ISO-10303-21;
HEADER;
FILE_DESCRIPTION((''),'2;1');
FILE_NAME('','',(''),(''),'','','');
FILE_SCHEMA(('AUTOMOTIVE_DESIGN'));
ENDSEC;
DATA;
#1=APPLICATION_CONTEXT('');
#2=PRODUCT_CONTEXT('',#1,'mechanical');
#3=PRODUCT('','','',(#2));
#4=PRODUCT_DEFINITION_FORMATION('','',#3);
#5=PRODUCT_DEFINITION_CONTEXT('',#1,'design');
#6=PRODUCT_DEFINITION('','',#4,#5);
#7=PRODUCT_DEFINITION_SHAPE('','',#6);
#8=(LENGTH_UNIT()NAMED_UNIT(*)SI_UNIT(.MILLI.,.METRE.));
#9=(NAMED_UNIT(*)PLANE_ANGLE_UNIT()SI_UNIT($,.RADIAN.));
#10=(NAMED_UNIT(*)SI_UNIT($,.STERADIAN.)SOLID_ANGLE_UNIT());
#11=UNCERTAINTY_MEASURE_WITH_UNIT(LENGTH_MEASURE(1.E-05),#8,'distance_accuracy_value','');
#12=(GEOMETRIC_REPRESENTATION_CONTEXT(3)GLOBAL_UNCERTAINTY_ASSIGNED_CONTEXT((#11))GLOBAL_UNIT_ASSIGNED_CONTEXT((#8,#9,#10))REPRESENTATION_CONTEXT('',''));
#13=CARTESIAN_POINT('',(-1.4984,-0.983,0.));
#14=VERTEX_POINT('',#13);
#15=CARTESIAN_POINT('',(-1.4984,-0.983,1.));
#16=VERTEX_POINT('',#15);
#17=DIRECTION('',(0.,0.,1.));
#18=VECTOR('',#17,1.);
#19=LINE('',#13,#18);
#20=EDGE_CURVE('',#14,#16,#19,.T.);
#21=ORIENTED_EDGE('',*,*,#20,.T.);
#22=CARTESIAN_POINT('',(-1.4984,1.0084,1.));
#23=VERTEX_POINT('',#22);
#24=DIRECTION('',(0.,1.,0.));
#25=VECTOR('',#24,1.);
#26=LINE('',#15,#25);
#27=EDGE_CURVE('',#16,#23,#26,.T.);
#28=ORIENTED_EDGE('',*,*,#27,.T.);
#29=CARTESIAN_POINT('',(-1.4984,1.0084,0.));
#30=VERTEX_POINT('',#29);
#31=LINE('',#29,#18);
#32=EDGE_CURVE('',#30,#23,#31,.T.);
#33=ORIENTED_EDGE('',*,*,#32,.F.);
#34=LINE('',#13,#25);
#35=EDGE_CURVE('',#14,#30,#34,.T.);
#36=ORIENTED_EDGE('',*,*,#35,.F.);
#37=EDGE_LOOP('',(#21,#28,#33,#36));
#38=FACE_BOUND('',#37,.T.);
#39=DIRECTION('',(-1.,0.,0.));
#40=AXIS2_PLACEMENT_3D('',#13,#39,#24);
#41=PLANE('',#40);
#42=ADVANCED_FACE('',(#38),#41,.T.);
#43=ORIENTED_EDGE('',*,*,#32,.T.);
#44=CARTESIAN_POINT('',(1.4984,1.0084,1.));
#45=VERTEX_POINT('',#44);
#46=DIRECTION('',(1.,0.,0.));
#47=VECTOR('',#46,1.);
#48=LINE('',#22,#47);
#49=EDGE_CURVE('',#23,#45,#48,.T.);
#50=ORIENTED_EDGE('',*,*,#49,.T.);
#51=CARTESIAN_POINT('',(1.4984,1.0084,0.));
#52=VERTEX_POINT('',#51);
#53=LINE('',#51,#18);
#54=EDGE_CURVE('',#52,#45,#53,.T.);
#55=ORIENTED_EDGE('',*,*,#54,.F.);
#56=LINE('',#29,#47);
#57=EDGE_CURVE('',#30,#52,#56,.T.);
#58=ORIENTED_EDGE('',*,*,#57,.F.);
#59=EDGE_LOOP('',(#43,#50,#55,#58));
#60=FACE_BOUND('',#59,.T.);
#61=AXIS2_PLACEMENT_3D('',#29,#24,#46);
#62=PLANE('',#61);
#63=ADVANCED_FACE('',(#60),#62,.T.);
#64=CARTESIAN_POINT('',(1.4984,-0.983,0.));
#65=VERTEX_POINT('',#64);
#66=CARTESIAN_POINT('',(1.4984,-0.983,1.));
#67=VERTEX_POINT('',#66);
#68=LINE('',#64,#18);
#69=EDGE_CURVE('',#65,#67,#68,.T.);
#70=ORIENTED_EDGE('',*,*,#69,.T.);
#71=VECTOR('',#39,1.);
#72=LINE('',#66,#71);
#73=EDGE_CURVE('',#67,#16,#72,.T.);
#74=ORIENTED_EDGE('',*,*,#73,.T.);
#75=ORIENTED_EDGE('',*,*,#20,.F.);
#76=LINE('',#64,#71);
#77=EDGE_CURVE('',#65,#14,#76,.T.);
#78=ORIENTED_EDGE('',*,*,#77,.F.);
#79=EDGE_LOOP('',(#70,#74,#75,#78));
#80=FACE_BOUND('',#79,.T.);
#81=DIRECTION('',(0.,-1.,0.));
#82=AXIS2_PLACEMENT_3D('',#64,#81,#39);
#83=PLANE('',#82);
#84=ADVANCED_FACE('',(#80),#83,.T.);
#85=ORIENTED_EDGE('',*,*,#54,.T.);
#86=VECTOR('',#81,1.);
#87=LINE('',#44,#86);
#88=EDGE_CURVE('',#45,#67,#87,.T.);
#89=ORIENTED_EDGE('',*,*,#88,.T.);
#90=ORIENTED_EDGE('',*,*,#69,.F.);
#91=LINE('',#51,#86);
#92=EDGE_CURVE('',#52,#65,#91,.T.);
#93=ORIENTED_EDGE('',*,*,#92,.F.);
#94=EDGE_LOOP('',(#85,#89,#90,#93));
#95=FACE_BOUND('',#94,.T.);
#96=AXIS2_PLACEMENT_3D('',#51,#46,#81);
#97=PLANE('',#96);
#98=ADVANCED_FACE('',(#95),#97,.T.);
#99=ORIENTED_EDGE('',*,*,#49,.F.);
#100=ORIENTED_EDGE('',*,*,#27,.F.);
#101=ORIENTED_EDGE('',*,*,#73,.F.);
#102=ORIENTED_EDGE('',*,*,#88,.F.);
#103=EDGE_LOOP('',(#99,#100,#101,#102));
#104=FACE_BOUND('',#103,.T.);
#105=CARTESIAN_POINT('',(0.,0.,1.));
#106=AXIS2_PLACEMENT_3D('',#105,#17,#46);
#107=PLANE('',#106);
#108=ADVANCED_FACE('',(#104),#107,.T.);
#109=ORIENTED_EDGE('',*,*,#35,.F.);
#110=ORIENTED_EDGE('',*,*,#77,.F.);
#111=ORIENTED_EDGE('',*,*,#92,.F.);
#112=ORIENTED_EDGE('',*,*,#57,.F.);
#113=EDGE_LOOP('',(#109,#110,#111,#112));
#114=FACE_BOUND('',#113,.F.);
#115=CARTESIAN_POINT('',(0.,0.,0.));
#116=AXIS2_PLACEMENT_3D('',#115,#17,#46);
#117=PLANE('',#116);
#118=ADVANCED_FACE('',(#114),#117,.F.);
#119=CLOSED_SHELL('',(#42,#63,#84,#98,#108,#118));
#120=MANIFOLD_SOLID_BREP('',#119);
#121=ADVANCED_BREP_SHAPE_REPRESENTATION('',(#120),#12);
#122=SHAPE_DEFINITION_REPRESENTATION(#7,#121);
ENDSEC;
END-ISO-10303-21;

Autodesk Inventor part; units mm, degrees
ref_plane "YZ Plane" through (0, 0, 0) normal (1, 0, 0) x (0, 1, 0)
ref_plane "XZ Plane" through (0, 0, 0) normal (0, 1, 0) x (-1, 0, 0)
ref_plane "XY Plane" through (0, 0, 0) normal (0, 0, 1) x (1, 0, 0)
sketch "0603-RES, 100K_34" plane through (0, 0, 0) normal (0, 0, 1) x (1, 0, 0)
  line L0 (-1.4984, 1.0084) -> (1.4984, 1.0084)
  line L1 (1.4984, 1.0084) -> (1.4984, -0.983)
  line L2 (1.4984, -0.983) -> (-1.4984, -0.983)
  line L3 (-1.4984, -0.983) -> (-1.4984, 1.0084)
extrude "Extrusion1" add sketch "0603-RES, 100K_34" along normal blind 1
properties part number "100K"
